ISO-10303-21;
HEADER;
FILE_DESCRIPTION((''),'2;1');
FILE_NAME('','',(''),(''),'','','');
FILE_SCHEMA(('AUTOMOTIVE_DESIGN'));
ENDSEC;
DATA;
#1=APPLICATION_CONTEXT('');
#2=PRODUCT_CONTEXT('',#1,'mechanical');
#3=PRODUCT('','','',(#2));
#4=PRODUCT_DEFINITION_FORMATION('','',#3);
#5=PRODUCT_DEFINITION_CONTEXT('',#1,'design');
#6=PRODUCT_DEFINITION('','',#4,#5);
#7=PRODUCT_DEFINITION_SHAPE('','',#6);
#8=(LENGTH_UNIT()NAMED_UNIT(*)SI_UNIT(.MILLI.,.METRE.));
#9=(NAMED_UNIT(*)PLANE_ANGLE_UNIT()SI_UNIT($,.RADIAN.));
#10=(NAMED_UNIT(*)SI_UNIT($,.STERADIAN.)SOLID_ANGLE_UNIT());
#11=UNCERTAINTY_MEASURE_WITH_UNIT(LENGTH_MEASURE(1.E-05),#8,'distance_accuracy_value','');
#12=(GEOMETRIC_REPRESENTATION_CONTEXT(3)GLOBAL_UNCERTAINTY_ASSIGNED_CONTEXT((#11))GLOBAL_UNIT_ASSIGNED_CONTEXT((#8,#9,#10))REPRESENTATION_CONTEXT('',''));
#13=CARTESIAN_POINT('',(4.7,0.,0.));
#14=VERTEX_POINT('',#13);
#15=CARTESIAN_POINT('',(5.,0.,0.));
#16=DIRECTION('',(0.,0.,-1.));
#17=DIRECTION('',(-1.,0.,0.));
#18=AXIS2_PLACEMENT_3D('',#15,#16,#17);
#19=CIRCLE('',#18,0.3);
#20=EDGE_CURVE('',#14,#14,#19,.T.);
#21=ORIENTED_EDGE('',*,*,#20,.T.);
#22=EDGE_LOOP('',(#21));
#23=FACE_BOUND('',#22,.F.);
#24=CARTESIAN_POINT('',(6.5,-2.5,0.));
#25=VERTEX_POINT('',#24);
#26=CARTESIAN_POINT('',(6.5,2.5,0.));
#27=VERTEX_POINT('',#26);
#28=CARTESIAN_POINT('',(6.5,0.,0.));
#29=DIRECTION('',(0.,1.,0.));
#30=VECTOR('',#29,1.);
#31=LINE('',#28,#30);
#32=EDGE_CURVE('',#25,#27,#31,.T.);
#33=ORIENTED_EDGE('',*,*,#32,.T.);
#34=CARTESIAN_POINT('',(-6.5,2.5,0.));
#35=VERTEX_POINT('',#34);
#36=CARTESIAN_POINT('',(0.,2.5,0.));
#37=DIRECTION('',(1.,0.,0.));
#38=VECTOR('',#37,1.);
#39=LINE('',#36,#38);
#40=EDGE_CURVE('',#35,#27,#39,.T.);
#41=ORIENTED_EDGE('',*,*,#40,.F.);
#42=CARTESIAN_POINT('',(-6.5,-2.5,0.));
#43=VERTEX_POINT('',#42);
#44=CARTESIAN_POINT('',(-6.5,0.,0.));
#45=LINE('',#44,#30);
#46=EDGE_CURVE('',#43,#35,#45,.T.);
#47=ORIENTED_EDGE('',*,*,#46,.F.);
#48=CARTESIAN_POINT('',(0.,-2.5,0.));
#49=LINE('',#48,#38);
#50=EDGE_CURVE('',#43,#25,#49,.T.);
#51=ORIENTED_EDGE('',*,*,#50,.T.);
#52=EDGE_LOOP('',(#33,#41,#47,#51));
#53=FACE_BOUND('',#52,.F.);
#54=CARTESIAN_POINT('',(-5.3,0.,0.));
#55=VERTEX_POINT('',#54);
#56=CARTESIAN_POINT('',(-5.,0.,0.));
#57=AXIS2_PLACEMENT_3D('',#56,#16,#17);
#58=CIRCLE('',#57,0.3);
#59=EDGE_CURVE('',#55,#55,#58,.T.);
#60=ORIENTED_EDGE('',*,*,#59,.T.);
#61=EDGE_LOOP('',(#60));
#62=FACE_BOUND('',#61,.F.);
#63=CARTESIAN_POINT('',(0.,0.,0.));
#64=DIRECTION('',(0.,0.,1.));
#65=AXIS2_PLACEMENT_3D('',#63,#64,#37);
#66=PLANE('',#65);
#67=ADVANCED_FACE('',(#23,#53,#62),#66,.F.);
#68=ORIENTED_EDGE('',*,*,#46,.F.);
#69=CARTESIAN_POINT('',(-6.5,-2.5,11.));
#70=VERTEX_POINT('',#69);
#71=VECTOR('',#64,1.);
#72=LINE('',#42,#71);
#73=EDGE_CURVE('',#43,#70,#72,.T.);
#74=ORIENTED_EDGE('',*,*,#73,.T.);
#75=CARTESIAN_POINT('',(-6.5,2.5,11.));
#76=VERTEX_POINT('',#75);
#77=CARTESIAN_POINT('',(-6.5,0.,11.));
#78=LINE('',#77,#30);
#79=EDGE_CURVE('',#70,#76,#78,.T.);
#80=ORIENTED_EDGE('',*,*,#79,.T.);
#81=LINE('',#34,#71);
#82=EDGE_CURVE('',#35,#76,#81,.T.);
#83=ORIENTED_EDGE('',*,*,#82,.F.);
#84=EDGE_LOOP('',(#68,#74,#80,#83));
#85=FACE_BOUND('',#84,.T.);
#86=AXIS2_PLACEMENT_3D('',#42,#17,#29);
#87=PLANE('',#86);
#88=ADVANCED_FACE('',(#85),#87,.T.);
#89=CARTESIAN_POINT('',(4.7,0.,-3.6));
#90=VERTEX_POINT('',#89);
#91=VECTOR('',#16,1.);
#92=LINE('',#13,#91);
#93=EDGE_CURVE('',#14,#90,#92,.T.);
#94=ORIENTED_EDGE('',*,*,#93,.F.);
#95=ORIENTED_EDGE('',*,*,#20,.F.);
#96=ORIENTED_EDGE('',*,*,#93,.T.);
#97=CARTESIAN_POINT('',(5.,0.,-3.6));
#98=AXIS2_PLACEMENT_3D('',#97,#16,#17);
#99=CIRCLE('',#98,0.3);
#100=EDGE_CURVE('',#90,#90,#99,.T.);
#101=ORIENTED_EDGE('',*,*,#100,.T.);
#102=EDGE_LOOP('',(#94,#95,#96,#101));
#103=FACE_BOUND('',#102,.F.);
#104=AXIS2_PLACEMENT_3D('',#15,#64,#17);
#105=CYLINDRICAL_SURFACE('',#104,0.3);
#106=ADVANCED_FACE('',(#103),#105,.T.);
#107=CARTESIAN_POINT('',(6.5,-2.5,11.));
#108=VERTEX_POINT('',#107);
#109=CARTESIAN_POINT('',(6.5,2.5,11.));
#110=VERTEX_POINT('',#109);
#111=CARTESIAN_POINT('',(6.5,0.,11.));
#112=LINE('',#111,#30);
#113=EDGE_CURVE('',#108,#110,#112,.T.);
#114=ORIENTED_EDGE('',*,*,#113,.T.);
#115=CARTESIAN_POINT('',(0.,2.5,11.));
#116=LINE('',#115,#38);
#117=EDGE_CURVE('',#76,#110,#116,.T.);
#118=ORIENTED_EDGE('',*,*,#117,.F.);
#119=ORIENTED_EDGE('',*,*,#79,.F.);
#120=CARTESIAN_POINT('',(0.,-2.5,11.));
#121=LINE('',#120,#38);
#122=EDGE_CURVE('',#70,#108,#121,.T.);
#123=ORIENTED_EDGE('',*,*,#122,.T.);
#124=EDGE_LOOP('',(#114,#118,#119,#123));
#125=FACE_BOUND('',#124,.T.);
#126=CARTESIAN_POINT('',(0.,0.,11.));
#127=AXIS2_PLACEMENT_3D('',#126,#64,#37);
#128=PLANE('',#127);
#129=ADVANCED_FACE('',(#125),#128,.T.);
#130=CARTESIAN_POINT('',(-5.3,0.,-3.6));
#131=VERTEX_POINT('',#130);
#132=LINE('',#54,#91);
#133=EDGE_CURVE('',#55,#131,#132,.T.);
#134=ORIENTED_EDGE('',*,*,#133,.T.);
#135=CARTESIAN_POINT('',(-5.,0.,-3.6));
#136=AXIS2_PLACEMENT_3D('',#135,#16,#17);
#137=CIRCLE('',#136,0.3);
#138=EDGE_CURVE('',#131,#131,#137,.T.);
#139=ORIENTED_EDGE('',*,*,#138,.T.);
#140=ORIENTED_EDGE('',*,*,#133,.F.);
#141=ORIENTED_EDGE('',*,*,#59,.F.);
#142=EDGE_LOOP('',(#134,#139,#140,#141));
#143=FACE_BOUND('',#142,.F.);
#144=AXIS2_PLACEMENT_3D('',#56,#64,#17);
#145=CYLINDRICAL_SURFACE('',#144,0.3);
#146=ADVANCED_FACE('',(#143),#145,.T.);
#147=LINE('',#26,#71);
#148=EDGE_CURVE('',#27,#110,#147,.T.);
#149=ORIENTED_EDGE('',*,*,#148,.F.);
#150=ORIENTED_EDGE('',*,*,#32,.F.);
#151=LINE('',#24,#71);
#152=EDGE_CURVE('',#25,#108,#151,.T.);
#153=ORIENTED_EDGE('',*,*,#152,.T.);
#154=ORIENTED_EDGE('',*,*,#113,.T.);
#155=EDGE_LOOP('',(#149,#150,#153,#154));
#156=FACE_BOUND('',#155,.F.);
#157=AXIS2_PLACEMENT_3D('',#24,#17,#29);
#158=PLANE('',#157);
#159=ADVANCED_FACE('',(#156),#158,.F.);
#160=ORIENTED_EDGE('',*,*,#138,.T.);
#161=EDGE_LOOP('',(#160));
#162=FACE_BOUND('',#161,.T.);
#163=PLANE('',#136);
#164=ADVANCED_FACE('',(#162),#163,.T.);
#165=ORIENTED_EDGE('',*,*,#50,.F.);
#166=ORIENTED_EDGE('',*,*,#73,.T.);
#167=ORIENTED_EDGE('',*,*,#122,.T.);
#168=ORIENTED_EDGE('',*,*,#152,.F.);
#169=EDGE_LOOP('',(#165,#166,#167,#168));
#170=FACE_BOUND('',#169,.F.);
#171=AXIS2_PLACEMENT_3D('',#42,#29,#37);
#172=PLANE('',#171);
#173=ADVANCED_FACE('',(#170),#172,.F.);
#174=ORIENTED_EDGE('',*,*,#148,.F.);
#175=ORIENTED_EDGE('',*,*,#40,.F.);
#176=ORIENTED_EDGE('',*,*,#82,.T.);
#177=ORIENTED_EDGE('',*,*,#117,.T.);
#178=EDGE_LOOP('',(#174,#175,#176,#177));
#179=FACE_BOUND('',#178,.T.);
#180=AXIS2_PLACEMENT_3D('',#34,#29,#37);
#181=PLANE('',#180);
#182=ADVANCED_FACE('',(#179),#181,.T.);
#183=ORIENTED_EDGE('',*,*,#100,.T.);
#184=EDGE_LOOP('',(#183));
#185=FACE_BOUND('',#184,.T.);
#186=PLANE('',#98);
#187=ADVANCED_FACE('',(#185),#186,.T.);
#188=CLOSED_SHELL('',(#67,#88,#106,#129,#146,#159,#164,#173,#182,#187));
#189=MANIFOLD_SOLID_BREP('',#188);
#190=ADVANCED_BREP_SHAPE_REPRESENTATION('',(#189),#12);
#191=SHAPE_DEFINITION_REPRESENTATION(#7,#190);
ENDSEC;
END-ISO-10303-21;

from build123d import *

# Parameters (mm, degrees)
ESQUISSE1_W        = 13
ESQUISSE1_H        = 5
BOSS_EXTRU_1_DEPTH = 11
ESQUISSE2_R        = 0.3
BOSS_EXTRU_2_DEPTH = 3.6


with BuildPart() as part:
    # Esquisse1 → Boss.-Extru.1 (new body)
    with BuildSketch(Plane.XY):
        Rectangle(ESQUISSE1_W, ESQUISSE1_H)
    extrude(amount=BOSS_EXTRU_1_DEPTH)

    # Esquisse2 → Boss.-Extru.2 (add)
    with BuildSketch(Plane(origin=(0, 0, 0), x_dir=(-1, 0, 0), z_dir=(0, 0, -1))):
        with Locations((-5, 0)):
            Circle(ESQUISSE2_R)
        with Locations((5, 0)):
            Circle(ESQUISSE2_R)
    extrude(amount=BOSS_EXTRU_2_DEPTH)


solid = part.part
